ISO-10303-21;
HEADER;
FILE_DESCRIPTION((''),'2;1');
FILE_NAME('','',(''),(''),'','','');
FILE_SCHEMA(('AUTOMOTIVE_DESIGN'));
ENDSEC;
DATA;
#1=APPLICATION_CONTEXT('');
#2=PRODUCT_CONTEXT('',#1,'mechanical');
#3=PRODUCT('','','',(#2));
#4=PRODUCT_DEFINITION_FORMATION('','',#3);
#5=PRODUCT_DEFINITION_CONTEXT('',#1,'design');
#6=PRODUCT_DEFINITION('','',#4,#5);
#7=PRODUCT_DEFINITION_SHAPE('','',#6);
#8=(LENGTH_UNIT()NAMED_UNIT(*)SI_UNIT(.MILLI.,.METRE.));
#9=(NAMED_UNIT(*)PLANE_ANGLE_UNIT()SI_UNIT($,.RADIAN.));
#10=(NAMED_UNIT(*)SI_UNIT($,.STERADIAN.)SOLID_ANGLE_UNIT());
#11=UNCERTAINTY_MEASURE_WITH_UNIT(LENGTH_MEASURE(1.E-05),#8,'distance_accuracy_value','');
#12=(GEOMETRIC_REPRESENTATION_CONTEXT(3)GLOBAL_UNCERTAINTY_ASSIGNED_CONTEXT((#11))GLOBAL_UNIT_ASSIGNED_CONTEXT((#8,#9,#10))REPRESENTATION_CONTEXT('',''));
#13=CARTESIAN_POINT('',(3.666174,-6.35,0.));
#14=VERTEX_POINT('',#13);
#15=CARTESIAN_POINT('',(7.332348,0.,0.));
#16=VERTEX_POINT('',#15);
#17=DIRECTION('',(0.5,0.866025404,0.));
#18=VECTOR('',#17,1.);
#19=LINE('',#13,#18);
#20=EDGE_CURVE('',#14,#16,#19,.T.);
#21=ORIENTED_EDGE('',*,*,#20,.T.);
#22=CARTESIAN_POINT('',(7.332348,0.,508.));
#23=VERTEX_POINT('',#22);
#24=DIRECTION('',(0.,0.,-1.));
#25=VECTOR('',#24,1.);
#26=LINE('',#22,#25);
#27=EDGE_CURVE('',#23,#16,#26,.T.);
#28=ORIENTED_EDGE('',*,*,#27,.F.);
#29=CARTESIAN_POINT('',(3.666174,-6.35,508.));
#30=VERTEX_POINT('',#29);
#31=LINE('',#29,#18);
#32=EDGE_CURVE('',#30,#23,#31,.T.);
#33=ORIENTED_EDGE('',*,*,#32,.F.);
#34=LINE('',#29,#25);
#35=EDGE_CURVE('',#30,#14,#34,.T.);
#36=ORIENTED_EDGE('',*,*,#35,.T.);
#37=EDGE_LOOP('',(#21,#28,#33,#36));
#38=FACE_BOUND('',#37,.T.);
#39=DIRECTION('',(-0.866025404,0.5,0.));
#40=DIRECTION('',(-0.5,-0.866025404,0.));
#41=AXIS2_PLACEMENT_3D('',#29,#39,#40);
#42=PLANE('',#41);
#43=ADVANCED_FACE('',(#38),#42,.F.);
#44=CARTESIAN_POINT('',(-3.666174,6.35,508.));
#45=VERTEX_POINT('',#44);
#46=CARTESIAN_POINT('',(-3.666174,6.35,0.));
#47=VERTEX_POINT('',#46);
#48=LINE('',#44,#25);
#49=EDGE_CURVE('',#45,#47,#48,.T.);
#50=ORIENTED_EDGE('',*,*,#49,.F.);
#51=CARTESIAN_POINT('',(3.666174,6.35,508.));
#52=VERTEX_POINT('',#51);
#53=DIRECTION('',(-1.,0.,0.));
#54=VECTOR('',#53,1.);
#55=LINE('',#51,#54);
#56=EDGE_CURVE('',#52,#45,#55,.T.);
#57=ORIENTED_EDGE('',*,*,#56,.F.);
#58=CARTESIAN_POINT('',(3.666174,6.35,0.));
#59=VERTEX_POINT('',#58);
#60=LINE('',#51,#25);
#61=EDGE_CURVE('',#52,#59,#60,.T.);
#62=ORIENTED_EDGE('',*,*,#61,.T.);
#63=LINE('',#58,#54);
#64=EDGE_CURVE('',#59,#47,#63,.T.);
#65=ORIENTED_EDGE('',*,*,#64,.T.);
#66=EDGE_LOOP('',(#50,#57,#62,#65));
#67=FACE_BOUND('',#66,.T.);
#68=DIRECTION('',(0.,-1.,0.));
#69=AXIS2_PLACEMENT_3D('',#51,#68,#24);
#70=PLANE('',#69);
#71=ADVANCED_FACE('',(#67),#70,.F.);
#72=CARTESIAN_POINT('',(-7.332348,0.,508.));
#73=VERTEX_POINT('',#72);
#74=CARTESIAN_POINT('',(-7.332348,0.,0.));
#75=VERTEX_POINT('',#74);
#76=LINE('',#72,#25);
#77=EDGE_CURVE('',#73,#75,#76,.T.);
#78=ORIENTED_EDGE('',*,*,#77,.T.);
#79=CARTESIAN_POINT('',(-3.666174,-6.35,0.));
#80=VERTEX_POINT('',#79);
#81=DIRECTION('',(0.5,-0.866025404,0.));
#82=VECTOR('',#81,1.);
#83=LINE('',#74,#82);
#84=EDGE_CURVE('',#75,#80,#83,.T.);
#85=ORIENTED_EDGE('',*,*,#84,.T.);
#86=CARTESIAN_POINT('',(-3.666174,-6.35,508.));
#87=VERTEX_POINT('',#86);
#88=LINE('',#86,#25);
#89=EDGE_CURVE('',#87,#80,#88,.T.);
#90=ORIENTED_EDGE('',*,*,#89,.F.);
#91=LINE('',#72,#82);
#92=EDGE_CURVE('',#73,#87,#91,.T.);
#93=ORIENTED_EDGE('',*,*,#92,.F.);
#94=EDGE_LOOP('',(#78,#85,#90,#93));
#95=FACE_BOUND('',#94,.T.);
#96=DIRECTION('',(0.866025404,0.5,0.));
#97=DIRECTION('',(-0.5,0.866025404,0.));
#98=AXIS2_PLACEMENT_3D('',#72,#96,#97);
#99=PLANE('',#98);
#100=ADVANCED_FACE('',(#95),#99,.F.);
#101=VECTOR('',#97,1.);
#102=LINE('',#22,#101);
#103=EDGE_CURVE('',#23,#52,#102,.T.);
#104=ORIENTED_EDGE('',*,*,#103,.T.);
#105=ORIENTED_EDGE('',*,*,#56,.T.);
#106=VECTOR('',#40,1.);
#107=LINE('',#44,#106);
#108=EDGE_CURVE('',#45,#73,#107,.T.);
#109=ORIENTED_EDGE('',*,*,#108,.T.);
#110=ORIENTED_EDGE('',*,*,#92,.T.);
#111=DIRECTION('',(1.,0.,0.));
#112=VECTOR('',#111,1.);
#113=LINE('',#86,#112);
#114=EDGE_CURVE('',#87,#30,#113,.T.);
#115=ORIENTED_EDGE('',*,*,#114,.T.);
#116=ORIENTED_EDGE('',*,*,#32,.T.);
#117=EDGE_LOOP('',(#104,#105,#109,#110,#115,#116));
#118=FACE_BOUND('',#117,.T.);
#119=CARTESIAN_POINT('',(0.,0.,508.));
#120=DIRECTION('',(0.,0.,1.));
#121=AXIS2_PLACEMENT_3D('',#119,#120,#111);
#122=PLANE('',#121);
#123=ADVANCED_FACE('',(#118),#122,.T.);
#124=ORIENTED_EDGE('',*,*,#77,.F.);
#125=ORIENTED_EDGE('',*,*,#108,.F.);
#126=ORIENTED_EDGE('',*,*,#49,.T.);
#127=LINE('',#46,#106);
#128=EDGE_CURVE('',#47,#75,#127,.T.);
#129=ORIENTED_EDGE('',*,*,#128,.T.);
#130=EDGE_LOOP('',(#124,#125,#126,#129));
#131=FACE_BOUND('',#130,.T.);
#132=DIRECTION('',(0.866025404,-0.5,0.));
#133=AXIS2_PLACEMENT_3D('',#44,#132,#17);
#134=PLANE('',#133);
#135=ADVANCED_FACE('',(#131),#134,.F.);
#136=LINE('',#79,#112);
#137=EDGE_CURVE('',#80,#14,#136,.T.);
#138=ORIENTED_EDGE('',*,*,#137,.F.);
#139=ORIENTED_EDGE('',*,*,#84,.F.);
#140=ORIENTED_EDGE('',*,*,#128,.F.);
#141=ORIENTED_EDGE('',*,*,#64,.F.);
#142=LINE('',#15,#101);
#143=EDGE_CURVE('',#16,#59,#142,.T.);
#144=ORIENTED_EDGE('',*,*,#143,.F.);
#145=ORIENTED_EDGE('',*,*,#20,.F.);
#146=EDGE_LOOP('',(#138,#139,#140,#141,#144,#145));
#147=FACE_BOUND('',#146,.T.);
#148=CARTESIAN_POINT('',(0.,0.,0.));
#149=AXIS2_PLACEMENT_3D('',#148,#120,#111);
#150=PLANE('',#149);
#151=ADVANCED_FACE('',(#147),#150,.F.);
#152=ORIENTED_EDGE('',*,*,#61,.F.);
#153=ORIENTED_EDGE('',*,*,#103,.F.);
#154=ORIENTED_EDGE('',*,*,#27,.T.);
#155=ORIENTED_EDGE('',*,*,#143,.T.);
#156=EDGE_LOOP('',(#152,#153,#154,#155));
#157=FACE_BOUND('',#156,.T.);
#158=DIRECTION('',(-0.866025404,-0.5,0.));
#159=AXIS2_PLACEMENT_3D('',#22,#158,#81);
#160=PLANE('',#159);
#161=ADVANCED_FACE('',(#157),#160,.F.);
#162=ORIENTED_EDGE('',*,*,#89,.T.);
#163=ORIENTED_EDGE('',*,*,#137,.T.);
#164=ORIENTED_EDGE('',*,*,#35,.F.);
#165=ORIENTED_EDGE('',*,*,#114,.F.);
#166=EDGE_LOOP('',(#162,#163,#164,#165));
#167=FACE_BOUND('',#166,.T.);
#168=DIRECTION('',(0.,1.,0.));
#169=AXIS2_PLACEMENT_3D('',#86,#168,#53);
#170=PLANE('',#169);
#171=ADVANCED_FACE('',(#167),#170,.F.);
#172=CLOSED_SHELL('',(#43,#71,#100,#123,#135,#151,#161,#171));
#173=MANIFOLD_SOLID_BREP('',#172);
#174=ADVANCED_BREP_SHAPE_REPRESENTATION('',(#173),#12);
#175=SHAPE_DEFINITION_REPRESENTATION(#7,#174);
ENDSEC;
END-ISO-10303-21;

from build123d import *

# Parameters (mm, degrees)
BOSS_EXTRUDE1_DEPTH = 508


with BuildPart() as part:
    # Sketch1 → Boss-Extrude1 (new body)
    with BuildSketch(Plane.XY):
        Polygon((-3.666174209, 6.35), (-7.332348419, 0), (-3.666174209, -6.35), (3.666174209, -6.35), (7.332348419, 0), (3.666174209, 6.35), align=None)
    extrude(amount=BOSS_EXTRUDE1_DEPTH)


solid = part.part
